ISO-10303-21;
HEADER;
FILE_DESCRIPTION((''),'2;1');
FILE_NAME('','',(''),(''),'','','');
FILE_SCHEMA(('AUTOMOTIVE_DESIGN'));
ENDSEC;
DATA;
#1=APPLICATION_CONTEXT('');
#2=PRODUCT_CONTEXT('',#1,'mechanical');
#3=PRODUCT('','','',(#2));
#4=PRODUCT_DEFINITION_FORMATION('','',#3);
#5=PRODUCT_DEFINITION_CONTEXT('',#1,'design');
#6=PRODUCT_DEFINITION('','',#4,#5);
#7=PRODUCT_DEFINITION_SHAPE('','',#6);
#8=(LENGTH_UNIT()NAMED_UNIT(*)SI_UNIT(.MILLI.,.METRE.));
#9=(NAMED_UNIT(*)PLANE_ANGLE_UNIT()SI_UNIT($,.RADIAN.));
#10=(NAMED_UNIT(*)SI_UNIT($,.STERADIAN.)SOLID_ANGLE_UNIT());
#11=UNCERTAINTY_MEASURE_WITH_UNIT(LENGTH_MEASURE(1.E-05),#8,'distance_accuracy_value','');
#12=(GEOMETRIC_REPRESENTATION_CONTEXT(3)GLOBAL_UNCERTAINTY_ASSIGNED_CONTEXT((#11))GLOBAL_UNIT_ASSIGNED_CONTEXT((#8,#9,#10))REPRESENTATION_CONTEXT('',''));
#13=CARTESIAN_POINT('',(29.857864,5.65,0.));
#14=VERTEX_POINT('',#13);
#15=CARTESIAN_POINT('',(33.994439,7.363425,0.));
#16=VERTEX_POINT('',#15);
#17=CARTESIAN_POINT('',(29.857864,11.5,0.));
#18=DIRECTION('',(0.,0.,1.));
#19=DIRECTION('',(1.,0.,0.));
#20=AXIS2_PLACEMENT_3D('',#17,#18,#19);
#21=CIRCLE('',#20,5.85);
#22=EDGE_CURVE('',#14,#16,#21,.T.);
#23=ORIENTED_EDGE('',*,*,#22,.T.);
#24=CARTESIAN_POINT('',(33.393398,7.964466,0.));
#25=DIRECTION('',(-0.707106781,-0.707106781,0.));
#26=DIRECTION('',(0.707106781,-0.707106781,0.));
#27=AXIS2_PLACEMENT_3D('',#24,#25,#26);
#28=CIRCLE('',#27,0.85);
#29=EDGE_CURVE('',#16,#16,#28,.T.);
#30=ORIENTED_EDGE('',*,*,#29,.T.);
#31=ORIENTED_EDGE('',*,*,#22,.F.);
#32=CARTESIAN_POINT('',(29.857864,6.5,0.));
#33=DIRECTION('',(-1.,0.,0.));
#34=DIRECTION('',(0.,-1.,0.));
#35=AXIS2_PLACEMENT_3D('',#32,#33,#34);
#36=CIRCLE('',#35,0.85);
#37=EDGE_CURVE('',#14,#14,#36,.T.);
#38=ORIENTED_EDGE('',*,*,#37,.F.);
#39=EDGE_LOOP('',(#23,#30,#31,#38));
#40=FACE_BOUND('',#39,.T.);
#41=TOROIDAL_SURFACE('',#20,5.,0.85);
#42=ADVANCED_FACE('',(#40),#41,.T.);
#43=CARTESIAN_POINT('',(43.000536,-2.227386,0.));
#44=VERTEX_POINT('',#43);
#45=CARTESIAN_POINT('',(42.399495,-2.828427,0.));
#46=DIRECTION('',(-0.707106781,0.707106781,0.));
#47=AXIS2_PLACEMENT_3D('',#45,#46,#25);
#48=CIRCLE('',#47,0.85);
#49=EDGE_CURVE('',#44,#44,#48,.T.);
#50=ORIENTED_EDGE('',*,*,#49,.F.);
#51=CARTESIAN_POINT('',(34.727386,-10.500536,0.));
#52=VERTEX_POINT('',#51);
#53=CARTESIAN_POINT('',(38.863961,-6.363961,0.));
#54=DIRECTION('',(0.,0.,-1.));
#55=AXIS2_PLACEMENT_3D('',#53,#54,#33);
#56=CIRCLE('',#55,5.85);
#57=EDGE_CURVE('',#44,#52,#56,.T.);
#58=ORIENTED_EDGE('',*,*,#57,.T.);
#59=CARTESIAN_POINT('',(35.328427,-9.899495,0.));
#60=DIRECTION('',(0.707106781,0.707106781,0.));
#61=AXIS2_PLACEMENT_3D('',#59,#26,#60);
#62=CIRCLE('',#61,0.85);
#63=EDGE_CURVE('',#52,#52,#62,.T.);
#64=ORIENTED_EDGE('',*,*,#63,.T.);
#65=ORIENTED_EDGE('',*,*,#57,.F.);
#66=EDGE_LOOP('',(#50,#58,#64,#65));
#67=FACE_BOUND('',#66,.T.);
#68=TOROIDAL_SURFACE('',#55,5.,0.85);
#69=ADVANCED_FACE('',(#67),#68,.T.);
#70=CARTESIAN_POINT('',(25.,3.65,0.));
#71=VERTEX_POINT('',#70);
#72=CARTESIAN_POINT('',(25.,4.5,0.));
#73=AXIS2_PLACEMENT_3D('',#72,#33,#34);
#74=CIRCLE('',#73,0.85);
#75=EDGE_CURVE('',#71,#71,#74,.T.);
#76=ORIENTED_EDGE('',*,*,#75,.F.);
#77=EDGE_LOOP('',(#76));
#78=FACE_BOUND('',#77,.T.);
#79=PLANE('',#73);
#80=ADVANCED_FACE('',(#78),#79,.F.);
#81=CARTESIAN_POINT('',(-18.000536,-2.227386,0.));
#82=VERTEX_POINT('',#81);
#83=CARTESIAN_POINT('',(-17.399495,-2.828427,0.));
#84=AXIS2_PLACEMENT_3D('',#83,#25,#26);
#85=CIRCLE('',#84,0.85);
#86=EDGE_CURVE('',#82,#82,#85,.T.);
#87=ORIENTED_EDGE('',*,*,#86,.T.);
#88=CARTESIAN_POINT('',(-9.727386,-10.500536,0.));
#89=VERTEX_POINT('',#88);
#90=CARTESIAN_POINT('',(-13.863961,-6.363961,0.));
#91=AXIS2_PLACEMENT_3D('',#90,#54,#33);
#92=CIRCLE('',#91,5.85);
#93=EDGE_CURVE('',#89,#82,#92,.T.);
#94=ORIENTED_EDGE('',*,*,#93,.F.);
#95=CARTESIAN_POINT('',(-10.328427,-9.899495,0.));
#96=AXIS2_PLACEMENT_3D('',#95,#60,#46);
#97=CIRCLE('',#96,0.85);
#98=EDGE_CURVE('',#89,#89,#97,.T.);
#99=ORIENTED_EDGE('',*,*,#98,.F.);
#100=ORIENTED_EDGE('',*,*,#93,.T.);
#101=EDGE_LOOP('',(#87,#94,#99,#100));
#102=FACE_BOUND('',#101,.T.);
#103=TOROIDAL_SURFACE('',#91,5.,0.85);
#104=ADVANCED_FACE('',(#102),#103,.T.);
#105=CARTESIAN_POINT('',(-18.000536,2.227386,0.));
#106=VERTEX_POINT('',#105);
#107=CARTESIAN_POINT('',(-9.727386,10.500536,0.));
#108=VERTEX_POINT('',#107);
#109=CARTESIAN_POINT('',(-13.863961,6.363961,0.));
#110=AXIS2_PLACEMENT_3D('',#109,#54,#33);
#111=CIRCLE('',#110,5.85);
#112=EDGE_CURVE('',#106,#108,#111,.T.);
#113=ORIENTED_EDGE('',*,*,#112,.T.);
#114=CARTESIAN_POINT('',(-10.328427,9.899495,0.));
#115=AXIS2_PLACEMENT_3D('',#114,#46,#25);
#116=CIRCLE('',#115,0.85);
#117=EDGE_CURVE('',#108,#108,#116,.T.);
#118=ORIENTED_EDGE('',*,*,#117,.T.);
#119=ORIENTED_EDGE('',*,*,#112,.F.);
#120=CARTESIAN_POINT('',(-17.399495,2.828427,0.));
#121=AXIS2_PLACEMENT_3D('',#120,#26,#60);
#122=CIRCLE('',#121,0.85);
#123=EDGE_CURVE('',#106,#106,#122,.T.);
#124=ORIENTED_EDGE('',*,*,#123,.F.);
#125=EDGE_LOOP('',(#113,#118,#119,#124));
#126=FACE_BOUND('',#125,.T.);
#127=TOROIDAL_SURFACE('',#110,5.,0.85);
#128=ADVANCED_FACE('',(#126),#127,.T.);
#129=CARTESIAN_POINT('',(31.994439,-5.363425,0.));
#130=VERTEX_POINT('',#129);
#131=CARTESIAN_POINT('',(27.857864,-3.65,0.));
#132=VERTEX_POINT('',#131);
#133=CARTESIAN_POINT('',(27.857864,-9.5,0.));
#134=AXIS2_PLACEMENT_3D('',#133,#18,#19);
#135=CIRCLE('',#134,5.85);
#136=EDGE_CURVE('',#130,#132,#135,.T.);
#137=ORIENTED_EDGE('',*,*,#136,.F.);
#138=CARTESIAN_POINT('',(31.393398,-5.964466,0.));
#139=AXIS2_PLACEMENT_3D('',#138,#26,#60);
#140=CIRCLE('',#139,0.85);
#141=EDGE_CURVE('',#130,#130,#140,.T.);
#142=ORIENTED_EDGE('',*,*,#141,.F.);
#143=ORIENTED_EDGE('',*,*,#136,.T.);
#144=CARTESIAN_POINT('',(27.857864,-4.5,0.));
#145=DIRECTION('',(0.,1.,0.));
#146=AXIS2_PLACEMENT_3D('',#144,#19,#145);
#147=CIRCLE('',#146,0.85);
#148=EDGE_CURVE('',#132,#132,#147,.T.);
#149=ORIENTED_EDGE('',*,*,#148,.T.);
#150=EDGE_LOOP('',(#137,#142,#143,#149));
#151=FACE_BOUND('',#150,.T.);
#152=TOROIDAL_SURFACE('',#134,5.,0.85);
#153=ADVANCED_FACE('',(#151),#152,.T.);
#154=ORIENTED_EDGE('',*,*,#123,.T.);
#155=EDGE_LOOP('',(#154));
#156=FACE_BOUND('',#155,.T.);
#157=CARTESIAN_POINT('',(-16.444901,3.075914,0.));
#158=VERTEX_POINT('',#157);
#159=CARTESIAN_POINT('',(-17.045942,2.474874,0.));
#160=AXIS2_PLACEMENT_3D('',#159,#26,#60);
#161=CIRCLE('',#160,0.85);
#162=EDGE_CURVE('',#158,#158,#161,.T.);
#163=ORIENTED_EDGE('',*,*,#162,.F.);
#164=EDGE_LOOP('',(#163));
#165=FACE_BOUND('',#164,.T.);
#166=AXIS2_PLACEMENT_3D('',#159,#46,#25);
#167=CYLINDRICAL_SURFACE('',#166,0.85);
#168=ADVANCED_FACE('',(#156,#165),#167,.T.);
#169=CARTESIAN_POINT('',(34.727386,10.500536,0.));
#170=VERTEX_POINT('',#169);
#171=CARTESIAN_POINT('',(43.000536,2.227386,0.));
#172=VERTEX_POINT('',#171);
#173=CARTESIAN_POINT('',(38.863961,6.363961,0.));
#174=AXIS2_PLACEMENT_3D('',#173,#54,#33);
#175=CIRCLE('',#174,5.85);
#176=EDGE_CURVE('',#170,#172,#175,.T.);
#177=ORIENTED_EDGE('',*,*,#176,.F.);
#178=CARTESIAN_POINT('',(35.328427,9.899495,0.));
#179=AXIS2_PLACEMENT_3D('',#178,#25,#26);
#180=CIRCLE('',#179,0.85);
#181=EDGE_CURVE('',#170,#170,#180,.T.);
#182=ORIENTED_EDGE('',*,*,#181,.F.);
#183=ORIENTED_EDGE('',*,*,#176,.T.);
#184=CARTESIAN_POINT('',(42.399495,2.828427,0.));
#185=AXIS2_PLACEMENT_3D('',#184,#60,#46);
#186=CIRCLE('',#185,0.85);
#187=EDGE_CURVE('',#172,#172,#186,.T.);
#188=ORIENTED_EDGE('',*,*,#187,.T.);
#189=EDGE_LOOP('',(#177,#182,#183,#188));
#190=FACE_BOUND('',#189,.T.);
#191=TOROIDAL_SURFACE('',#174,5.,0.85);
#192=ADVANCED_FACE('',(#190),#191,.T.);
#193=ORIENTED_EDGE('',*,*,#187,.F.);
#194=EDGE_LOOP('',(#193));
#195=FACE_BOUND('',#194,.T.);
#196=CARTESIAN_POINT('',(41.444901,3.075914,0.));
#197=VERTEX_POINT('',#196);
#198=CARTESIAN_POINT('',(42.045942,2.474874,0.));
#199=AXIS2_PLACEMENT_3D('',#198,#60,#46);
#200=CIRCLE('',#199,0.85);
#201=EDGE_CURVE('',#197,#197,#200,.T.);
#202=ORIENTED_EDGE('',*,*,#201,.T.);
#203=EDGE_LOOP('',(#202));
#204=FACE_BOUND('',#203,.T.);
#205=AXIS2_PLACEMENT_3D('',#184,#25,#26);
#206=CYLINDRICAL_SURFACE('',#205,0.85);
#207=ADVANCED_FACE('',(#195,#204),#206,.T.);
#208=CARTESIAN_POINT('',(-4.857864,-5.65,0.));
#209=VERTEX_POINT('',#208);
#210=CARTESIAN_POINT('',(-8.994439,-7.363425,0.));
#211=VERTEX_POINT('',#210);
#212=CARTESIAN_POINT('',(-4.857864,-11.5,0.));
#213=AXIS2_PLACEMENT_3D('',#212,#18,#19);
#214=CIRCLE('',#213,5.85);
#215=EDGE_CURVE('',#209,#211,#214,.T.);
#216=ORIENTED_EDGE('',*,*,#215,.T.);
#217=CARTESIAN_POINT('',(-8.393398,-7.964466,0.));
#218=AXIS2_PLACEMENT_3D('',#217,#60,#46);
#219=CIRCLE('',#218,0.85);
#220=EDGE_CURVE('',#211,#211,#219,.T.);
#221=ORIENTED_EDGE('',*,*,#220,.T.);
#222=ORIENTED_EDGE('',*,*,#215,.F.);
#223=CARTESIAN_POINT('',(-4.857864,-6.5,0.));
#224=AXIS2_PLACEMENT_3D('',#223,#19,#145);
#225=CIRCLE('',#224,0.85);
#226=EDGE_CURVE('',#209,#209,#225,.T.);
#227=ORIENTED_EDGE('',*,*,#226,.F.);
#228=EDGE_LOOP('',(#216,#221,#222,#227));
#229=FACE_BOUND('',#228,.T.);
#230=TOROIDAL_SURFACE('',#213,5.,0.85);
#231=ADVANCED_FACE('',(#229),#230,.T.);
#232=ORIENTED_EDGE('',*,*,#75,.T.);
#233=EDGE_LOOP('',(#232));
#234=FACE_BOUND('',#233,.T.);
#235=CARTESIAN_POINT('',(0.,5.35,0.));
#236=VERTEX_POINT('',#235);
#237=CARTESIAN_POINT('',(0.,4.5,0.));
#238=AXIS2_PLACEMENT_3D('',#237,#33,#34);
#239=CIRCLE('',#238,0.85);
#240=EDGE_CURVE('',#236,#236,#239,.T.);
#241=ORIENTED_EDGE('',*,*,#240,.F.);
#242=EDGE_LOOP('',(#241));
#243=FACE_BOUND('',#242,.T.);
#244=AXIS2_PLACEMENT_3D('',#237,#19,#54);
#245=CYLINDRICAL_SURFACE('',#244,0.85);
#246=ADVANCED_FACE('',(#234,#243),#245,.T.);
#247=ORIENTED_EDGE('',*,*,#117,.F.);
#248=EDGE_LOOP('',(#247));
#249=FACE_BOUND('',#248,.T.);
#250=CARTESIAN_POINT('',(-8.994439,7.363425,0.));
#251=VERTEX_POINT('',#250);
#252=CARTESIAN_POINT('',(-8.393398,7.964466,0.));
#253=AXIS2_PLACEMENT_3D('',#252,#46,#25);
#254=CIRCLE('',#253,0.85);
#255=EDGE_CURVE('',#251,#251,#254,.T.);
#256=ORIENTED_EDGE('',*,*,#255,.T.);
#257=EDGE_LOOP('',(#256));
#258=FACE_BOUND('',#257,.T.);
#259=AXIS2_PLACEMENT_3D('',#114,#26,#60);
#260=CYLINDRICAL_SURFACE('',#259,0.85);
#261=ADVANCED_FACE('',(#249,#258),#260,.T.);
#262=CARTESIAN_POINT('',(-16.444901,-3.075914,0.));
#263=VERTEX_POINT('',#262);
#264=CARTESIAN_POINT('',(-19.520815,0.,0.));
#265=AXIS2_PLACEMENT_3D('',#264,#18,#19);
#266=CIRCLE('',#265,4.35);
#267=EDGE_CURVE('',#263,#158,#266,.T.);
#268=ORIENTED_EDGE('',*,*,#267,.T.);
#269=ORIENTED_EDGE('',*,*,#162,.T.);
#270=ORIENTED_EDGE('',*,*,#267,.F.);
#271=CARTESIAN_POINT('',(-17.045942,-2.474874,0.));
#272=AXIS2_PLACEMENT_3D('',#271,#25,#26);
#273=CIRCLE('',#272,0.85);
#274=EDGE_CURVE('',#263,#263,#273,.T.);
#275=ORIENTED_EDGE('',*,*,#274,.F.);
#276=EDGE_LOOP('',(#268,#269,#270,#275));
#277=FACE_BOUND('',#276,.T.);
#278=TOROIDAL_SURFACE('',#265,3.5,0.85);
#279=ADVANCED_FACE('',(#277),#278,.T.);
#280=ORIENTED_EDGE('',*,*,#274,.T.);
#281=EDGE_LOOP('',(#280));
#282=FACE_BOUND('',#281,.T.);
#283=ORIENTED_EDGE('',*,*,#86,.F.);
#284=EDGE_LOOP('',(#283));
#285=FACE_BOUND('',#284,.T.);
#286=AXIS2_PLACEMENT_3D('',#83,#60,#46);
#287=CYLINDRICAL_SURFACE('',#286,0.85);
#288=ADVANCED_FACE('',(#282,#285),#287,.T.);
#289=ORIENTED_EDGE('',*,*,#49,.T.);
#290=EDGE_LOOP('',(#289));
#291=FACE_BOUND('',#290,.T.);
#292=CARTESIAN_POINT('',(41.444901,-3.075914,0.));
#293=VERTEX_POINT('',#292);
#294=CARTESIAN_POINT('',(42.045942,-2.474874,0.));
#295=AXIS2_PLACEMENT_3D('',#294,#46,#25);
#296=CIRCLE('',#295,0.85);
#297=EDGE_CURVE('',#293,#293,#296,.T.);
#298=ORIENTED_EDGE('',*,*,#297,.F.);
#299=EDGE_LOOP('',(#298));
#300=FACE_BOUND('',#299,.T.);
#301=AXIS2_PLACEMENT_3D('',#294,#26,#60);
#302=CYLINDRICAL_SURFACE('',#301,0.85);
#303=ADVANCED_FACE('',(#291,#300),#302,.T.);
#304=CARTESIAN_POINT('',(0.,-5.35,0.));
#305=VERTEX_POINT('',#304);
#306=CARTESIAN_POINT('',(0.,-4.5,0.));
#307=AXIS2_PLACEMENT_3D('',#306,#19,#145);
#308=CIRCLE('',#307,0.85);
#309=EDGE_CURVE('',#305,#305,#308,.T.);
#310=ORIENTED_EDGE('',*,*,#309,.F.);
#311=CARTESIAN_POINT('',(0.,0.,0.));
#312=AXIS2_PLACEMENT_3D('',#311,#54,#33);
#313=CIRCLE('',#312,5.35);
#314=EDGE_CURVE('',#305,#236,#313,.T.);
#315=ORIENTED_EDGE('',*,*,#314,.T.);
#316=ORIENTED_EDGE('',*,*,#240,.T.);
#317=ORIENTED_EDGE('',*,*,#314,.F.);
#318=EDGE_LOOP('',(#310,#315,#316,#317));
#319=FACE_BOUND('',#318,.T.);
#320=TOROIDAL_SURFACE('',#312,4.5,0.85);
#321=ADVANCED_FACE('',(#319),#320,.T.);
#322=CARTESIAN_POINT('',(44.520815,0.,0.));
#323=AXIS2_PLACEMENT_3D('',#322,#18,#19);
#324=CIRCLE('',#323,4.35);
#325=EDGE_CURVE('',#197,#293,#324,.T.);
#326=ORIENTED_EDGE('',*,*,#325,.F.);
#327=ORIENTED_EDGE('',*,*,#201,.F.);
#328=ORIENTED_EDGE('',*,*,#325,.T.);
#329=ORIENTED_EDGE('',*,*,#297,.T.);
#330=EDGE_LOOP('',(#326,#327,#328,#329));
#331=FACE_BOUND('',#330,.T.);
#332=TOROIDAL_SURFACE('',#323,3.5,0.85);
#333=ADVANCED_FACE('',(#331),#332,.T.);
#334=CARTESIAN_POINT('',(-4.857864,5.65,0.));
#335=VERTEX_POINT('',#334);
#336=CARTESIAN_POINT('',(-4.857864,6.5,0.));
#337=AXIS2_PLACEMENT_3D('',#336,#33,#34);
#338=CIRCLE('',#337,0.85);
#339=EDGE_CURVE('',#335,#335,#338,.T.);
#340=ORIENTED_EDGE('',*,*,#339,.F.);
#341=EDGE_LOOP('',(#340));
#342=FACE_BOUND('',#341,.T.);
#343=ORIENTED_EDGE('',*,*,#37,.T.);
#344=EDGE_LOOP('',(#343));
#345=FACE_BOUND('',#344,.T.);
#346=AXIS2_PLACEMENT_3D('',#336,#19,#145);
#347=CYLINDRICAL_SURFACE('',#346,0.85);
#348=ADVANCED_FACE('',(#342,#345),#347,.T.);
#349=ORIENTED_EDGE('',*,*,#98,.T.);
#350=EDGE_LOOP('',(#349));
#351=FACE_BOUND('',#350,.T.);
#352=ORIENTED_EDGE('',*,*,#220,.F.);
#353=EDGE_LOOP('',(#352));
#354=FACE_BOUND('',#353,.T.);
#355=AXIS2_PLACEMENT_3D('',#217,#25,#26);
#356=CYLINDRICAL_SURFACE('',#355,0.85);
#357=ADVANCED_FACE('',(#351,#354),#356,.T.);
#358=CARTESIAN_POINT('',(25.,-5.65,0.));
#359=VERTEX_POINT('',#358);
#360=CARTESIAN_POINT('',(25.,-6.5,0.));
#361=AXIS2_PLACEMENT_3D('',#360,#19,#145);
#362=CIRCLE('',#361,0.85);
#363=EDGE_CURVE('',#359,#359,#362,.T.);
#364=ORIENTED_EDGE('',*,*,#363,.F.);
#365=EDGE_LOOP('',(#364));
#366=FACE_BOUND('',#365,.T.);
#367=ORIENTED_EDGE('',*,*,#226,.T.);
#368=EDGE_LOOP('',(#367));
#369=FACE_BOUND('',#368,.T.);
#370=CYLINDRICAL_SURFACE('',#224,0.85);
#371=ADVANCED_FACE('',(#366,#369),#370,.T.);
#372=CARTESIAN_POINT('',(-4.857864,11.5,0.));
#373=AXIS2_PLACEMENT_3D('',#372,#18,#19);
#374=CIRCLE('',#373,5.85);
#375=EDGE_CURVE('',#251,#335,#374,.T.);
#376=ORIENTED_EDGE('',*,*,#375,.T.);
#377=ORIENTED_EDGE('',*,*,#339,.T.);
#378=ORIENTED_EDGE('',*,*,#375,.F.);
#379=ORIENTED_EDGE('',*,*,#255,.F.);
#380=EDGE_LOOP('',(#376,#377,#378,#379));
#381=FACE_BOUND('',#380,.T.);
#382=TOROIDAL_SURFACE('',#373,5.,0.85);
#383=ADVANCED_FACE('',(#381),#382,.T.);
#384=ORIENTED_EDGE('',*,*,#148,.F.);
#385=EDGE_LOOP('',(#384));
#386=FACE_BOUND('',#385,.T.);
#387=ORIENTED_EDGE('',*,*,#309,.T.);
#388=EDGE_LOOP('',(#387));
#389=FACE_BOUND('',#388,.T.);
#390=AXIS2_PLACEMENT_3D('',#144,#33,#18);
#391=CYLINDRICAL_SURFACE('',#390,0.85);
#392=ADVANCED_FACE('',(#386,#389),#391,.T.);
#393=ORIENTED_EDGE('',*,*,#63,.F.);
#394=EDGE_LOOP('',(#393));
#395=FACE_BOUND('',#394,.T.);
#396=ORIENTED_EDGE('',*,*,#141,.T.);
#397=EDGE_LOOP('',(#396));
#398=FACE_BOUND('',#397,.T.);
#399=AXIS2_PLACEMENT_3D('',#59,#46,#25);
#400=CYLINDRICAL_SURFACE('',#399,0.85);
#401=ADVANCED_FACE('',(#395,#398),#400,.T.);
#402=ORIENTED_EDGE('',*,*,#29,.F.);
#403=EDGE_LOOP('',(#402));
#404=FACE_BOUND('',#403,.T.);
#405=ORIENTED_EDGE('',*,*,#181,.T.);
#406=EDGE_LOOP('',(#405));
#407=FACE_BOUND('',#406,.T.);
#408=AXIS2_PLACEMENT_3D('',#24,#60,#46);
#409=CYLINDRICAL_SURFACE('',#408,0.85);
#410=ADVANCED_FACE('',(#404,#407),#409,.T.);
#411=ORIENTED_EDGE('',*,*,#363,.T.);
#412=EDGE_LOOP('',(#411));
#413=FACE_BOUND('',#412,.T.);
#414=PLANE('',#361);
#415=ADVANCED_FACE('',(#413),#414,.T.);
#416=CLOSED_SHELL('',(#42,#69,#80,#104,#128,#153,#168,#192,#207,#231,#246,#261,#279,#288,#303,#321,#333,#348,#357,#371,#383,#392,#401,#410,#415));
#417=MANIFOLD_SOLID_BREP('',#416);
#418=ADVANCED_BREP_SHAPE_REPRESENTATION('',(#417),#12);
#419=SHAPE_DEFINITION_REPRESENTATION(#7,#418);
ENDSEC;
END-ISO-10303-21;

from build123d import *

# Parameters (mm, degrees)
SKETCH_3_R = 0.85


with BuildPart() as part:
    # По траектории1: sweep along a path in Эскиз2
    with BuildLine(Plane.XY) as sweep_1_path:
        Line((25, 4.5), (0, 4.5))
        ThreePointArc((0, 4.5), (-4.5, 0), (0, -4.5))
        Line((0, -4.5), (25, -4.5))
        Line((25, -4.5), (27.857864376, -4.5))
        ThreePointArc((27.857864376, -4.5), (29.771281538, -4.880602337), (31.393398282, -5.964466094))
        Line((31.393398282, -5.964466094), (35.328427125, -9.899494937))
        ThreePointArc((35.328427125, -9.899494937), (42.399494937, -9.899494937), (42.399494937, -2.828427125))
        Line((42.399494937, -2.828427125), (42.045941546, -2.474873734))
        ThreePointArc((42.045941546, -2.474873734), (41.02081528, 0), (42.045941546, 2.474873734))
        Line((42.045941546, 2.474873734), (42.399494937, 2.828427125))
        ThreePointArc((42.399494937, 2.828427125), (42.399494937, 9.899494937), (35.328427125, 9.899494937))
        Line((35.328427125, 9.899494937), (33.393398282, 7.964466094))
        ThreePointArc((33.393398282, 7.964466094), (31.771281538, 6.880602337), (29.857864376, 6.5))
        Line((29.857864376, 6.5), (-4.857864376, 6.5))
        ThreePointArc((-4.857864376, 6.5), (-6.771281538, 6.880602337), (-8.393398282, 7.964466094))
        Line((-8.393398282, 7.964466094), (-10.328427125, 9.899494937))
        ThreePointArc((-10.328427125, 9.899494937), (-17.399494937, 9.899494937), (-17.399494937, 2.828427125))
        Line((-17.399494937, 2.828427125), (-17.045941546, 2.474873734))
        ThreePointArc((-17.045941546, 2.474873734), (-16.02081528, 0), (-17.045941546, -2.474873734))
        Line((-17.045941546, -2.474873734), (-17.399494937, -2.828427125))
        ThreePointArc((-17.399494937, -2.828427125), (-17.399494937, -9.899494937), (-10.328427125, -9.899494937))
        Line((-10.328427125, -9.899494937), (-8.393398282, -7.964466094))
        ThreePointArc((-8.393398282, -7.964466094), (-6.771281538, -6.880602337), (-4.857864376, -6.5))
        Line((-4.857864376, -6.5), (25, -6.5))
    # Эскиз3 → По траектории1 (sweep)
    with BuildSketch(Plane(origin=(25, -6.5, 0), x_dir=(0, 0, -1), z_dir=(1, 0, 0))):
        Circle(SKETCH_3_R)
    sweep(path=sweep_1_path.line)


solid = part.part
